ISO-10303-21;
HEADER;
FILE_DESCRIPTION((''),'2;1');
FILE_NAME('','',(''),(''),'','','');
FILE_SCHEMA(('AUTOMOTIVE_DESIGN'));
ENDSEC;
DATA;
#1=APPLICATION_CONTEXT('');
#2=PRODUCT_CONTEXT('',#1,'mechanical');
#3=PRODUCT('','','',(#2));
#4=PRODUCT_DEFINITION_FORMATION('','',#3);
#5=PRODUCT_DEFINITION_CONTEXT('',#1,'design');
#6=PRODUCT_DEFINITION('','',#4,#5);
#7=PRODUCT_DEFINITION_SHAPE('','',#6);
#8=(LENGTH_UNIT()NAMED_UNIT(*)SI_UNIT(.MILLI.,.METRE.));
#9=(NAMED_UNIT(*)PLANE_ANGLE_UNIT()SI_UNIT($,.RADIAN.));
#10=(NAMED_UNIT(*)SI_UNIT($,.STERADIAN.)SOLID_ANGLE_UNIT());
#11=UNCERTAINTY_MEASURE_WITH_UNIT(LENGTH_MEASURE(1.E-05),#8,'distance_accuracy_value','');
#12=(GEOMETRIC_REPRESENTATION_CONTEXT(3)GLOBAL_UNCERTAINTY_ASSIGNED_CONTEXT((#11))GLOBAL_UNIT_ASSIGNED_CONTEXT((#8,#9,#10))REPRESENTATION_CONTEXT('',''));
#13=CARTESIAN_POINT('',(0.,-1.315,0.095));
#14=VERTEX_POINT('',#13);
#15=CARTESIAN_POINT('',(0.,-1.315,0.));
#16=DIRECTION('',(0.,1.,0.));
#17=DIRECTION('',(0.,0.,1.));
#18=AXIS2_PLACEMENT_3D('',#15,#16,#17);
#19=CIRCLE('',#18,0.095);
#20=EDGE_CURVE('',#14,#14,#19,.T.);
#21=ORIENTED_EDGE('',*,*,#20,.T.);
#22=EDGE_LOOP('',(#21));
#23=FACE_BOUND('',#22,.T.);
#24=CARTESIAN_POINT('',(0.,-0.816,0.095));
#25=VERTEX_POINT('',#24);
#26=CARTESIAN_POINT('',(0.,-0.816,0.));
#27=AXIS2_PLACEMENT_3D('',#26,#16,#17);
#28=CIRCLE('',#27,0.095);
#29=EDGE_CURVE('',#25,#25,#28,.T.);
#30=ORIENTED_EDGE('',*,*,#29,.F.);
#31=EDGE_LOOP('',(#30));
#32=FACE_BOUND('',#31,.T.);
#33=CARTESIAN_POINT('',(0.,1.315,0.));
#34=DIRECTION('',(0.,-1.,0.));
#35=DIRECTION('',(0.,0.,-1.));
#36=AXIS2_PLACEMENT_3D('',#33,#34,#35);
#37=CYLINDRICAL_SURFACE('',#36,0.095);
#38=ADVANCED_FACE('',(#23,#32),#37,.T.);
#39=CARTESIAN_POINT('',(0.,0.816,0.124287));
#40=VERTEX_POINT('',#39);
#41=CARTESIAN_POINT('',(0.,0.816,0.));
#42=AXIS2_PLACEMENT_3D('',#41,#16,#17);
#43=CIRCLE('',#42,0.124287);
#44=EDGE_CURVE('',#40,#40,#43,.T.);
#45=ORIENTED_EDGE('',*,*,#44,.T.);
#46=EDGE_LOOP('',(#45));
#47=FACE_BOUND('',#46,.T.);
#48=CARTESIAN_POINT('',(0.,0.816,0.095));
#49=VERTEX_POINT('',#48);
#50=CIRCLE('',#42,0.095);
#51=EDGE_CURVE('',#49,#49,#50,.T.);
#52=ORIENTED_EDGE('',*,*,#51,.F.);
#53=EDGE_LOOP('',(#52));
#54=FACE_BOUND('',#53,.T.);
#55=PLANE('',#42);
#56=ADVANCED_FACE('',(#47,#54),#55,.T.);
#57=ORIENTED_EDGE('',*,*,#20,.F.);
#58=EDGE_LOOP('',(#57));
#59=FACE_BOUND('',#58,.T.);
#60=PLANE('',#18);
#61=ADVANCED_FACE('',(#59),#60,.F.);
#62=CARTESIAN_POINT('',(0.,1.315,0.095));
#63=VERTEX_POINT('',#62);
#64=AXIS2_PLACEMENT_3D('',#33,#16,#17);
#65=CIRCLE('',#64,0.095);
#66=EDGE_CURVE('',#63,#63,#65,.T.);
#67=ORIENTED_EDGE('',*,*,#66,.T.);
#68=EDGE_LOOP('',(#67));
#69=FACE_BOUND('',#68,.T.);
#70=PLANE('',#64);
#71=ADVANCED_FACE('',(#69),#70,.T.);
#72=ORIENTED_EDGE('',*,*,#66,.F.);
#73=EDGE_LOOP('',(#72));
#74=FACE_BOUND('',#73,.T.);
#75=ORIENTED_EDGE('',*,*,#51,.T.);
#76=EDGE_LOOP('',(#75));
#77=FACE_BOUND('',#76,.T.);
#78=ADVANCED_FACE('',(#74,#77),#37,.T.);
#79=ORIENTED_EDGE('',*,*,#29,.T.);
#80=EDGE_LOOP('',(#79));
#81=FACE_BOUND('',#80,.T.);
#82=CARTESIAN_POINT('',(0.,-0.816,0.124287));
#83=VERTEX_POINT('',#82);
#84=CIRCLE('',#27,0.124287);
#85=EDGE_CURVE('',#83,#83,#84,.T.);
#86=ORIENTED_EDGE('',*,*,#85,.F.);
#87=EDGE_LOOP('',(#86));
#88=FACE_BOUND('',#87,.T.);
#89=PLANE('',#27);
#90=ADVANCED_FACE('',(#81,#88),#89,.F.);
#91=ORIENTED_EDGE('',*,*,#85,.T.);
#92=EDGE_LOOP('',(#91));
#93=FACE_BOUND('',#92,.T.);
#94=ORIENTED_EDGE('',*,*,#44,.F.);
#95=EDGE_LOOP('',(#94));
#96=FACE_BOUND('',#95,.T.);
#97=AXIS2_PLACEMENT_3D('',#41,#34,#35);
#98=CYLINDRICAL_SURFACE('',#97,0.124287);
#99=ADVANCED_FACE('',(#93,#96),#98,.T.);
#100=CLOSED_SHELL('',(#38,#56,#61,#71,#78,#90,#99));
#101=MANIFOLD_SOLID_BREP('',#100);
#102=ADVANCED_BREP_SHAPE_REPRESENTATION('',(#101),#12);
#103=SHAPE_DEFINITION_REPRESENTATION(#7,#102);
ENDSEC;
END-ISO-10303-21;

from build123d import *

# Parameters (mm, degrees)
SKETCH1_R           = 0.095
BOSS_EXTRUDE1_DEPTH = 1.315
SKETCH2_R           = 0.124286751
SKETCH2_R_2         = 0.095
BOSS_EXTRUDE2_DEPTH = 0.816


with BuildPart() as part:
    # Sketch1 → Boss-Extrude1 (new, symmetric)
    with BuildSketch(Plane(origin=(0, 0, 0), x_dir=(1, 0, 0), z_dir=(0, 1, 0))):
        with Locations(Location((0, 0, 0), (0, 0, 270))):
            Circle(SKETCH1_R)
    extrude(amount=BOSS_EXTRUDE1_DEPTH, both=True)

    # Sketch2 → Boss-Extrude2 (add, symmetric)
    with BuildSketch(Plane(origin=(0, 0, 0), x_dir=(1, 0, 0), z_dir=(0, 1, 0))):
        with Locations(Location((0, 0, 0), (0, 0, 270))):
            Circle(SKETCH2_R)
        with Locations(Location((0, 0, 0), (0, 0, 270))):
            Circle(SKETCH2_R_2, mode=Mode.SUBTRACT)
    extrude(amount=BOSS_EXTRUDE2_DEPTH, both=True)


solid = part.part
